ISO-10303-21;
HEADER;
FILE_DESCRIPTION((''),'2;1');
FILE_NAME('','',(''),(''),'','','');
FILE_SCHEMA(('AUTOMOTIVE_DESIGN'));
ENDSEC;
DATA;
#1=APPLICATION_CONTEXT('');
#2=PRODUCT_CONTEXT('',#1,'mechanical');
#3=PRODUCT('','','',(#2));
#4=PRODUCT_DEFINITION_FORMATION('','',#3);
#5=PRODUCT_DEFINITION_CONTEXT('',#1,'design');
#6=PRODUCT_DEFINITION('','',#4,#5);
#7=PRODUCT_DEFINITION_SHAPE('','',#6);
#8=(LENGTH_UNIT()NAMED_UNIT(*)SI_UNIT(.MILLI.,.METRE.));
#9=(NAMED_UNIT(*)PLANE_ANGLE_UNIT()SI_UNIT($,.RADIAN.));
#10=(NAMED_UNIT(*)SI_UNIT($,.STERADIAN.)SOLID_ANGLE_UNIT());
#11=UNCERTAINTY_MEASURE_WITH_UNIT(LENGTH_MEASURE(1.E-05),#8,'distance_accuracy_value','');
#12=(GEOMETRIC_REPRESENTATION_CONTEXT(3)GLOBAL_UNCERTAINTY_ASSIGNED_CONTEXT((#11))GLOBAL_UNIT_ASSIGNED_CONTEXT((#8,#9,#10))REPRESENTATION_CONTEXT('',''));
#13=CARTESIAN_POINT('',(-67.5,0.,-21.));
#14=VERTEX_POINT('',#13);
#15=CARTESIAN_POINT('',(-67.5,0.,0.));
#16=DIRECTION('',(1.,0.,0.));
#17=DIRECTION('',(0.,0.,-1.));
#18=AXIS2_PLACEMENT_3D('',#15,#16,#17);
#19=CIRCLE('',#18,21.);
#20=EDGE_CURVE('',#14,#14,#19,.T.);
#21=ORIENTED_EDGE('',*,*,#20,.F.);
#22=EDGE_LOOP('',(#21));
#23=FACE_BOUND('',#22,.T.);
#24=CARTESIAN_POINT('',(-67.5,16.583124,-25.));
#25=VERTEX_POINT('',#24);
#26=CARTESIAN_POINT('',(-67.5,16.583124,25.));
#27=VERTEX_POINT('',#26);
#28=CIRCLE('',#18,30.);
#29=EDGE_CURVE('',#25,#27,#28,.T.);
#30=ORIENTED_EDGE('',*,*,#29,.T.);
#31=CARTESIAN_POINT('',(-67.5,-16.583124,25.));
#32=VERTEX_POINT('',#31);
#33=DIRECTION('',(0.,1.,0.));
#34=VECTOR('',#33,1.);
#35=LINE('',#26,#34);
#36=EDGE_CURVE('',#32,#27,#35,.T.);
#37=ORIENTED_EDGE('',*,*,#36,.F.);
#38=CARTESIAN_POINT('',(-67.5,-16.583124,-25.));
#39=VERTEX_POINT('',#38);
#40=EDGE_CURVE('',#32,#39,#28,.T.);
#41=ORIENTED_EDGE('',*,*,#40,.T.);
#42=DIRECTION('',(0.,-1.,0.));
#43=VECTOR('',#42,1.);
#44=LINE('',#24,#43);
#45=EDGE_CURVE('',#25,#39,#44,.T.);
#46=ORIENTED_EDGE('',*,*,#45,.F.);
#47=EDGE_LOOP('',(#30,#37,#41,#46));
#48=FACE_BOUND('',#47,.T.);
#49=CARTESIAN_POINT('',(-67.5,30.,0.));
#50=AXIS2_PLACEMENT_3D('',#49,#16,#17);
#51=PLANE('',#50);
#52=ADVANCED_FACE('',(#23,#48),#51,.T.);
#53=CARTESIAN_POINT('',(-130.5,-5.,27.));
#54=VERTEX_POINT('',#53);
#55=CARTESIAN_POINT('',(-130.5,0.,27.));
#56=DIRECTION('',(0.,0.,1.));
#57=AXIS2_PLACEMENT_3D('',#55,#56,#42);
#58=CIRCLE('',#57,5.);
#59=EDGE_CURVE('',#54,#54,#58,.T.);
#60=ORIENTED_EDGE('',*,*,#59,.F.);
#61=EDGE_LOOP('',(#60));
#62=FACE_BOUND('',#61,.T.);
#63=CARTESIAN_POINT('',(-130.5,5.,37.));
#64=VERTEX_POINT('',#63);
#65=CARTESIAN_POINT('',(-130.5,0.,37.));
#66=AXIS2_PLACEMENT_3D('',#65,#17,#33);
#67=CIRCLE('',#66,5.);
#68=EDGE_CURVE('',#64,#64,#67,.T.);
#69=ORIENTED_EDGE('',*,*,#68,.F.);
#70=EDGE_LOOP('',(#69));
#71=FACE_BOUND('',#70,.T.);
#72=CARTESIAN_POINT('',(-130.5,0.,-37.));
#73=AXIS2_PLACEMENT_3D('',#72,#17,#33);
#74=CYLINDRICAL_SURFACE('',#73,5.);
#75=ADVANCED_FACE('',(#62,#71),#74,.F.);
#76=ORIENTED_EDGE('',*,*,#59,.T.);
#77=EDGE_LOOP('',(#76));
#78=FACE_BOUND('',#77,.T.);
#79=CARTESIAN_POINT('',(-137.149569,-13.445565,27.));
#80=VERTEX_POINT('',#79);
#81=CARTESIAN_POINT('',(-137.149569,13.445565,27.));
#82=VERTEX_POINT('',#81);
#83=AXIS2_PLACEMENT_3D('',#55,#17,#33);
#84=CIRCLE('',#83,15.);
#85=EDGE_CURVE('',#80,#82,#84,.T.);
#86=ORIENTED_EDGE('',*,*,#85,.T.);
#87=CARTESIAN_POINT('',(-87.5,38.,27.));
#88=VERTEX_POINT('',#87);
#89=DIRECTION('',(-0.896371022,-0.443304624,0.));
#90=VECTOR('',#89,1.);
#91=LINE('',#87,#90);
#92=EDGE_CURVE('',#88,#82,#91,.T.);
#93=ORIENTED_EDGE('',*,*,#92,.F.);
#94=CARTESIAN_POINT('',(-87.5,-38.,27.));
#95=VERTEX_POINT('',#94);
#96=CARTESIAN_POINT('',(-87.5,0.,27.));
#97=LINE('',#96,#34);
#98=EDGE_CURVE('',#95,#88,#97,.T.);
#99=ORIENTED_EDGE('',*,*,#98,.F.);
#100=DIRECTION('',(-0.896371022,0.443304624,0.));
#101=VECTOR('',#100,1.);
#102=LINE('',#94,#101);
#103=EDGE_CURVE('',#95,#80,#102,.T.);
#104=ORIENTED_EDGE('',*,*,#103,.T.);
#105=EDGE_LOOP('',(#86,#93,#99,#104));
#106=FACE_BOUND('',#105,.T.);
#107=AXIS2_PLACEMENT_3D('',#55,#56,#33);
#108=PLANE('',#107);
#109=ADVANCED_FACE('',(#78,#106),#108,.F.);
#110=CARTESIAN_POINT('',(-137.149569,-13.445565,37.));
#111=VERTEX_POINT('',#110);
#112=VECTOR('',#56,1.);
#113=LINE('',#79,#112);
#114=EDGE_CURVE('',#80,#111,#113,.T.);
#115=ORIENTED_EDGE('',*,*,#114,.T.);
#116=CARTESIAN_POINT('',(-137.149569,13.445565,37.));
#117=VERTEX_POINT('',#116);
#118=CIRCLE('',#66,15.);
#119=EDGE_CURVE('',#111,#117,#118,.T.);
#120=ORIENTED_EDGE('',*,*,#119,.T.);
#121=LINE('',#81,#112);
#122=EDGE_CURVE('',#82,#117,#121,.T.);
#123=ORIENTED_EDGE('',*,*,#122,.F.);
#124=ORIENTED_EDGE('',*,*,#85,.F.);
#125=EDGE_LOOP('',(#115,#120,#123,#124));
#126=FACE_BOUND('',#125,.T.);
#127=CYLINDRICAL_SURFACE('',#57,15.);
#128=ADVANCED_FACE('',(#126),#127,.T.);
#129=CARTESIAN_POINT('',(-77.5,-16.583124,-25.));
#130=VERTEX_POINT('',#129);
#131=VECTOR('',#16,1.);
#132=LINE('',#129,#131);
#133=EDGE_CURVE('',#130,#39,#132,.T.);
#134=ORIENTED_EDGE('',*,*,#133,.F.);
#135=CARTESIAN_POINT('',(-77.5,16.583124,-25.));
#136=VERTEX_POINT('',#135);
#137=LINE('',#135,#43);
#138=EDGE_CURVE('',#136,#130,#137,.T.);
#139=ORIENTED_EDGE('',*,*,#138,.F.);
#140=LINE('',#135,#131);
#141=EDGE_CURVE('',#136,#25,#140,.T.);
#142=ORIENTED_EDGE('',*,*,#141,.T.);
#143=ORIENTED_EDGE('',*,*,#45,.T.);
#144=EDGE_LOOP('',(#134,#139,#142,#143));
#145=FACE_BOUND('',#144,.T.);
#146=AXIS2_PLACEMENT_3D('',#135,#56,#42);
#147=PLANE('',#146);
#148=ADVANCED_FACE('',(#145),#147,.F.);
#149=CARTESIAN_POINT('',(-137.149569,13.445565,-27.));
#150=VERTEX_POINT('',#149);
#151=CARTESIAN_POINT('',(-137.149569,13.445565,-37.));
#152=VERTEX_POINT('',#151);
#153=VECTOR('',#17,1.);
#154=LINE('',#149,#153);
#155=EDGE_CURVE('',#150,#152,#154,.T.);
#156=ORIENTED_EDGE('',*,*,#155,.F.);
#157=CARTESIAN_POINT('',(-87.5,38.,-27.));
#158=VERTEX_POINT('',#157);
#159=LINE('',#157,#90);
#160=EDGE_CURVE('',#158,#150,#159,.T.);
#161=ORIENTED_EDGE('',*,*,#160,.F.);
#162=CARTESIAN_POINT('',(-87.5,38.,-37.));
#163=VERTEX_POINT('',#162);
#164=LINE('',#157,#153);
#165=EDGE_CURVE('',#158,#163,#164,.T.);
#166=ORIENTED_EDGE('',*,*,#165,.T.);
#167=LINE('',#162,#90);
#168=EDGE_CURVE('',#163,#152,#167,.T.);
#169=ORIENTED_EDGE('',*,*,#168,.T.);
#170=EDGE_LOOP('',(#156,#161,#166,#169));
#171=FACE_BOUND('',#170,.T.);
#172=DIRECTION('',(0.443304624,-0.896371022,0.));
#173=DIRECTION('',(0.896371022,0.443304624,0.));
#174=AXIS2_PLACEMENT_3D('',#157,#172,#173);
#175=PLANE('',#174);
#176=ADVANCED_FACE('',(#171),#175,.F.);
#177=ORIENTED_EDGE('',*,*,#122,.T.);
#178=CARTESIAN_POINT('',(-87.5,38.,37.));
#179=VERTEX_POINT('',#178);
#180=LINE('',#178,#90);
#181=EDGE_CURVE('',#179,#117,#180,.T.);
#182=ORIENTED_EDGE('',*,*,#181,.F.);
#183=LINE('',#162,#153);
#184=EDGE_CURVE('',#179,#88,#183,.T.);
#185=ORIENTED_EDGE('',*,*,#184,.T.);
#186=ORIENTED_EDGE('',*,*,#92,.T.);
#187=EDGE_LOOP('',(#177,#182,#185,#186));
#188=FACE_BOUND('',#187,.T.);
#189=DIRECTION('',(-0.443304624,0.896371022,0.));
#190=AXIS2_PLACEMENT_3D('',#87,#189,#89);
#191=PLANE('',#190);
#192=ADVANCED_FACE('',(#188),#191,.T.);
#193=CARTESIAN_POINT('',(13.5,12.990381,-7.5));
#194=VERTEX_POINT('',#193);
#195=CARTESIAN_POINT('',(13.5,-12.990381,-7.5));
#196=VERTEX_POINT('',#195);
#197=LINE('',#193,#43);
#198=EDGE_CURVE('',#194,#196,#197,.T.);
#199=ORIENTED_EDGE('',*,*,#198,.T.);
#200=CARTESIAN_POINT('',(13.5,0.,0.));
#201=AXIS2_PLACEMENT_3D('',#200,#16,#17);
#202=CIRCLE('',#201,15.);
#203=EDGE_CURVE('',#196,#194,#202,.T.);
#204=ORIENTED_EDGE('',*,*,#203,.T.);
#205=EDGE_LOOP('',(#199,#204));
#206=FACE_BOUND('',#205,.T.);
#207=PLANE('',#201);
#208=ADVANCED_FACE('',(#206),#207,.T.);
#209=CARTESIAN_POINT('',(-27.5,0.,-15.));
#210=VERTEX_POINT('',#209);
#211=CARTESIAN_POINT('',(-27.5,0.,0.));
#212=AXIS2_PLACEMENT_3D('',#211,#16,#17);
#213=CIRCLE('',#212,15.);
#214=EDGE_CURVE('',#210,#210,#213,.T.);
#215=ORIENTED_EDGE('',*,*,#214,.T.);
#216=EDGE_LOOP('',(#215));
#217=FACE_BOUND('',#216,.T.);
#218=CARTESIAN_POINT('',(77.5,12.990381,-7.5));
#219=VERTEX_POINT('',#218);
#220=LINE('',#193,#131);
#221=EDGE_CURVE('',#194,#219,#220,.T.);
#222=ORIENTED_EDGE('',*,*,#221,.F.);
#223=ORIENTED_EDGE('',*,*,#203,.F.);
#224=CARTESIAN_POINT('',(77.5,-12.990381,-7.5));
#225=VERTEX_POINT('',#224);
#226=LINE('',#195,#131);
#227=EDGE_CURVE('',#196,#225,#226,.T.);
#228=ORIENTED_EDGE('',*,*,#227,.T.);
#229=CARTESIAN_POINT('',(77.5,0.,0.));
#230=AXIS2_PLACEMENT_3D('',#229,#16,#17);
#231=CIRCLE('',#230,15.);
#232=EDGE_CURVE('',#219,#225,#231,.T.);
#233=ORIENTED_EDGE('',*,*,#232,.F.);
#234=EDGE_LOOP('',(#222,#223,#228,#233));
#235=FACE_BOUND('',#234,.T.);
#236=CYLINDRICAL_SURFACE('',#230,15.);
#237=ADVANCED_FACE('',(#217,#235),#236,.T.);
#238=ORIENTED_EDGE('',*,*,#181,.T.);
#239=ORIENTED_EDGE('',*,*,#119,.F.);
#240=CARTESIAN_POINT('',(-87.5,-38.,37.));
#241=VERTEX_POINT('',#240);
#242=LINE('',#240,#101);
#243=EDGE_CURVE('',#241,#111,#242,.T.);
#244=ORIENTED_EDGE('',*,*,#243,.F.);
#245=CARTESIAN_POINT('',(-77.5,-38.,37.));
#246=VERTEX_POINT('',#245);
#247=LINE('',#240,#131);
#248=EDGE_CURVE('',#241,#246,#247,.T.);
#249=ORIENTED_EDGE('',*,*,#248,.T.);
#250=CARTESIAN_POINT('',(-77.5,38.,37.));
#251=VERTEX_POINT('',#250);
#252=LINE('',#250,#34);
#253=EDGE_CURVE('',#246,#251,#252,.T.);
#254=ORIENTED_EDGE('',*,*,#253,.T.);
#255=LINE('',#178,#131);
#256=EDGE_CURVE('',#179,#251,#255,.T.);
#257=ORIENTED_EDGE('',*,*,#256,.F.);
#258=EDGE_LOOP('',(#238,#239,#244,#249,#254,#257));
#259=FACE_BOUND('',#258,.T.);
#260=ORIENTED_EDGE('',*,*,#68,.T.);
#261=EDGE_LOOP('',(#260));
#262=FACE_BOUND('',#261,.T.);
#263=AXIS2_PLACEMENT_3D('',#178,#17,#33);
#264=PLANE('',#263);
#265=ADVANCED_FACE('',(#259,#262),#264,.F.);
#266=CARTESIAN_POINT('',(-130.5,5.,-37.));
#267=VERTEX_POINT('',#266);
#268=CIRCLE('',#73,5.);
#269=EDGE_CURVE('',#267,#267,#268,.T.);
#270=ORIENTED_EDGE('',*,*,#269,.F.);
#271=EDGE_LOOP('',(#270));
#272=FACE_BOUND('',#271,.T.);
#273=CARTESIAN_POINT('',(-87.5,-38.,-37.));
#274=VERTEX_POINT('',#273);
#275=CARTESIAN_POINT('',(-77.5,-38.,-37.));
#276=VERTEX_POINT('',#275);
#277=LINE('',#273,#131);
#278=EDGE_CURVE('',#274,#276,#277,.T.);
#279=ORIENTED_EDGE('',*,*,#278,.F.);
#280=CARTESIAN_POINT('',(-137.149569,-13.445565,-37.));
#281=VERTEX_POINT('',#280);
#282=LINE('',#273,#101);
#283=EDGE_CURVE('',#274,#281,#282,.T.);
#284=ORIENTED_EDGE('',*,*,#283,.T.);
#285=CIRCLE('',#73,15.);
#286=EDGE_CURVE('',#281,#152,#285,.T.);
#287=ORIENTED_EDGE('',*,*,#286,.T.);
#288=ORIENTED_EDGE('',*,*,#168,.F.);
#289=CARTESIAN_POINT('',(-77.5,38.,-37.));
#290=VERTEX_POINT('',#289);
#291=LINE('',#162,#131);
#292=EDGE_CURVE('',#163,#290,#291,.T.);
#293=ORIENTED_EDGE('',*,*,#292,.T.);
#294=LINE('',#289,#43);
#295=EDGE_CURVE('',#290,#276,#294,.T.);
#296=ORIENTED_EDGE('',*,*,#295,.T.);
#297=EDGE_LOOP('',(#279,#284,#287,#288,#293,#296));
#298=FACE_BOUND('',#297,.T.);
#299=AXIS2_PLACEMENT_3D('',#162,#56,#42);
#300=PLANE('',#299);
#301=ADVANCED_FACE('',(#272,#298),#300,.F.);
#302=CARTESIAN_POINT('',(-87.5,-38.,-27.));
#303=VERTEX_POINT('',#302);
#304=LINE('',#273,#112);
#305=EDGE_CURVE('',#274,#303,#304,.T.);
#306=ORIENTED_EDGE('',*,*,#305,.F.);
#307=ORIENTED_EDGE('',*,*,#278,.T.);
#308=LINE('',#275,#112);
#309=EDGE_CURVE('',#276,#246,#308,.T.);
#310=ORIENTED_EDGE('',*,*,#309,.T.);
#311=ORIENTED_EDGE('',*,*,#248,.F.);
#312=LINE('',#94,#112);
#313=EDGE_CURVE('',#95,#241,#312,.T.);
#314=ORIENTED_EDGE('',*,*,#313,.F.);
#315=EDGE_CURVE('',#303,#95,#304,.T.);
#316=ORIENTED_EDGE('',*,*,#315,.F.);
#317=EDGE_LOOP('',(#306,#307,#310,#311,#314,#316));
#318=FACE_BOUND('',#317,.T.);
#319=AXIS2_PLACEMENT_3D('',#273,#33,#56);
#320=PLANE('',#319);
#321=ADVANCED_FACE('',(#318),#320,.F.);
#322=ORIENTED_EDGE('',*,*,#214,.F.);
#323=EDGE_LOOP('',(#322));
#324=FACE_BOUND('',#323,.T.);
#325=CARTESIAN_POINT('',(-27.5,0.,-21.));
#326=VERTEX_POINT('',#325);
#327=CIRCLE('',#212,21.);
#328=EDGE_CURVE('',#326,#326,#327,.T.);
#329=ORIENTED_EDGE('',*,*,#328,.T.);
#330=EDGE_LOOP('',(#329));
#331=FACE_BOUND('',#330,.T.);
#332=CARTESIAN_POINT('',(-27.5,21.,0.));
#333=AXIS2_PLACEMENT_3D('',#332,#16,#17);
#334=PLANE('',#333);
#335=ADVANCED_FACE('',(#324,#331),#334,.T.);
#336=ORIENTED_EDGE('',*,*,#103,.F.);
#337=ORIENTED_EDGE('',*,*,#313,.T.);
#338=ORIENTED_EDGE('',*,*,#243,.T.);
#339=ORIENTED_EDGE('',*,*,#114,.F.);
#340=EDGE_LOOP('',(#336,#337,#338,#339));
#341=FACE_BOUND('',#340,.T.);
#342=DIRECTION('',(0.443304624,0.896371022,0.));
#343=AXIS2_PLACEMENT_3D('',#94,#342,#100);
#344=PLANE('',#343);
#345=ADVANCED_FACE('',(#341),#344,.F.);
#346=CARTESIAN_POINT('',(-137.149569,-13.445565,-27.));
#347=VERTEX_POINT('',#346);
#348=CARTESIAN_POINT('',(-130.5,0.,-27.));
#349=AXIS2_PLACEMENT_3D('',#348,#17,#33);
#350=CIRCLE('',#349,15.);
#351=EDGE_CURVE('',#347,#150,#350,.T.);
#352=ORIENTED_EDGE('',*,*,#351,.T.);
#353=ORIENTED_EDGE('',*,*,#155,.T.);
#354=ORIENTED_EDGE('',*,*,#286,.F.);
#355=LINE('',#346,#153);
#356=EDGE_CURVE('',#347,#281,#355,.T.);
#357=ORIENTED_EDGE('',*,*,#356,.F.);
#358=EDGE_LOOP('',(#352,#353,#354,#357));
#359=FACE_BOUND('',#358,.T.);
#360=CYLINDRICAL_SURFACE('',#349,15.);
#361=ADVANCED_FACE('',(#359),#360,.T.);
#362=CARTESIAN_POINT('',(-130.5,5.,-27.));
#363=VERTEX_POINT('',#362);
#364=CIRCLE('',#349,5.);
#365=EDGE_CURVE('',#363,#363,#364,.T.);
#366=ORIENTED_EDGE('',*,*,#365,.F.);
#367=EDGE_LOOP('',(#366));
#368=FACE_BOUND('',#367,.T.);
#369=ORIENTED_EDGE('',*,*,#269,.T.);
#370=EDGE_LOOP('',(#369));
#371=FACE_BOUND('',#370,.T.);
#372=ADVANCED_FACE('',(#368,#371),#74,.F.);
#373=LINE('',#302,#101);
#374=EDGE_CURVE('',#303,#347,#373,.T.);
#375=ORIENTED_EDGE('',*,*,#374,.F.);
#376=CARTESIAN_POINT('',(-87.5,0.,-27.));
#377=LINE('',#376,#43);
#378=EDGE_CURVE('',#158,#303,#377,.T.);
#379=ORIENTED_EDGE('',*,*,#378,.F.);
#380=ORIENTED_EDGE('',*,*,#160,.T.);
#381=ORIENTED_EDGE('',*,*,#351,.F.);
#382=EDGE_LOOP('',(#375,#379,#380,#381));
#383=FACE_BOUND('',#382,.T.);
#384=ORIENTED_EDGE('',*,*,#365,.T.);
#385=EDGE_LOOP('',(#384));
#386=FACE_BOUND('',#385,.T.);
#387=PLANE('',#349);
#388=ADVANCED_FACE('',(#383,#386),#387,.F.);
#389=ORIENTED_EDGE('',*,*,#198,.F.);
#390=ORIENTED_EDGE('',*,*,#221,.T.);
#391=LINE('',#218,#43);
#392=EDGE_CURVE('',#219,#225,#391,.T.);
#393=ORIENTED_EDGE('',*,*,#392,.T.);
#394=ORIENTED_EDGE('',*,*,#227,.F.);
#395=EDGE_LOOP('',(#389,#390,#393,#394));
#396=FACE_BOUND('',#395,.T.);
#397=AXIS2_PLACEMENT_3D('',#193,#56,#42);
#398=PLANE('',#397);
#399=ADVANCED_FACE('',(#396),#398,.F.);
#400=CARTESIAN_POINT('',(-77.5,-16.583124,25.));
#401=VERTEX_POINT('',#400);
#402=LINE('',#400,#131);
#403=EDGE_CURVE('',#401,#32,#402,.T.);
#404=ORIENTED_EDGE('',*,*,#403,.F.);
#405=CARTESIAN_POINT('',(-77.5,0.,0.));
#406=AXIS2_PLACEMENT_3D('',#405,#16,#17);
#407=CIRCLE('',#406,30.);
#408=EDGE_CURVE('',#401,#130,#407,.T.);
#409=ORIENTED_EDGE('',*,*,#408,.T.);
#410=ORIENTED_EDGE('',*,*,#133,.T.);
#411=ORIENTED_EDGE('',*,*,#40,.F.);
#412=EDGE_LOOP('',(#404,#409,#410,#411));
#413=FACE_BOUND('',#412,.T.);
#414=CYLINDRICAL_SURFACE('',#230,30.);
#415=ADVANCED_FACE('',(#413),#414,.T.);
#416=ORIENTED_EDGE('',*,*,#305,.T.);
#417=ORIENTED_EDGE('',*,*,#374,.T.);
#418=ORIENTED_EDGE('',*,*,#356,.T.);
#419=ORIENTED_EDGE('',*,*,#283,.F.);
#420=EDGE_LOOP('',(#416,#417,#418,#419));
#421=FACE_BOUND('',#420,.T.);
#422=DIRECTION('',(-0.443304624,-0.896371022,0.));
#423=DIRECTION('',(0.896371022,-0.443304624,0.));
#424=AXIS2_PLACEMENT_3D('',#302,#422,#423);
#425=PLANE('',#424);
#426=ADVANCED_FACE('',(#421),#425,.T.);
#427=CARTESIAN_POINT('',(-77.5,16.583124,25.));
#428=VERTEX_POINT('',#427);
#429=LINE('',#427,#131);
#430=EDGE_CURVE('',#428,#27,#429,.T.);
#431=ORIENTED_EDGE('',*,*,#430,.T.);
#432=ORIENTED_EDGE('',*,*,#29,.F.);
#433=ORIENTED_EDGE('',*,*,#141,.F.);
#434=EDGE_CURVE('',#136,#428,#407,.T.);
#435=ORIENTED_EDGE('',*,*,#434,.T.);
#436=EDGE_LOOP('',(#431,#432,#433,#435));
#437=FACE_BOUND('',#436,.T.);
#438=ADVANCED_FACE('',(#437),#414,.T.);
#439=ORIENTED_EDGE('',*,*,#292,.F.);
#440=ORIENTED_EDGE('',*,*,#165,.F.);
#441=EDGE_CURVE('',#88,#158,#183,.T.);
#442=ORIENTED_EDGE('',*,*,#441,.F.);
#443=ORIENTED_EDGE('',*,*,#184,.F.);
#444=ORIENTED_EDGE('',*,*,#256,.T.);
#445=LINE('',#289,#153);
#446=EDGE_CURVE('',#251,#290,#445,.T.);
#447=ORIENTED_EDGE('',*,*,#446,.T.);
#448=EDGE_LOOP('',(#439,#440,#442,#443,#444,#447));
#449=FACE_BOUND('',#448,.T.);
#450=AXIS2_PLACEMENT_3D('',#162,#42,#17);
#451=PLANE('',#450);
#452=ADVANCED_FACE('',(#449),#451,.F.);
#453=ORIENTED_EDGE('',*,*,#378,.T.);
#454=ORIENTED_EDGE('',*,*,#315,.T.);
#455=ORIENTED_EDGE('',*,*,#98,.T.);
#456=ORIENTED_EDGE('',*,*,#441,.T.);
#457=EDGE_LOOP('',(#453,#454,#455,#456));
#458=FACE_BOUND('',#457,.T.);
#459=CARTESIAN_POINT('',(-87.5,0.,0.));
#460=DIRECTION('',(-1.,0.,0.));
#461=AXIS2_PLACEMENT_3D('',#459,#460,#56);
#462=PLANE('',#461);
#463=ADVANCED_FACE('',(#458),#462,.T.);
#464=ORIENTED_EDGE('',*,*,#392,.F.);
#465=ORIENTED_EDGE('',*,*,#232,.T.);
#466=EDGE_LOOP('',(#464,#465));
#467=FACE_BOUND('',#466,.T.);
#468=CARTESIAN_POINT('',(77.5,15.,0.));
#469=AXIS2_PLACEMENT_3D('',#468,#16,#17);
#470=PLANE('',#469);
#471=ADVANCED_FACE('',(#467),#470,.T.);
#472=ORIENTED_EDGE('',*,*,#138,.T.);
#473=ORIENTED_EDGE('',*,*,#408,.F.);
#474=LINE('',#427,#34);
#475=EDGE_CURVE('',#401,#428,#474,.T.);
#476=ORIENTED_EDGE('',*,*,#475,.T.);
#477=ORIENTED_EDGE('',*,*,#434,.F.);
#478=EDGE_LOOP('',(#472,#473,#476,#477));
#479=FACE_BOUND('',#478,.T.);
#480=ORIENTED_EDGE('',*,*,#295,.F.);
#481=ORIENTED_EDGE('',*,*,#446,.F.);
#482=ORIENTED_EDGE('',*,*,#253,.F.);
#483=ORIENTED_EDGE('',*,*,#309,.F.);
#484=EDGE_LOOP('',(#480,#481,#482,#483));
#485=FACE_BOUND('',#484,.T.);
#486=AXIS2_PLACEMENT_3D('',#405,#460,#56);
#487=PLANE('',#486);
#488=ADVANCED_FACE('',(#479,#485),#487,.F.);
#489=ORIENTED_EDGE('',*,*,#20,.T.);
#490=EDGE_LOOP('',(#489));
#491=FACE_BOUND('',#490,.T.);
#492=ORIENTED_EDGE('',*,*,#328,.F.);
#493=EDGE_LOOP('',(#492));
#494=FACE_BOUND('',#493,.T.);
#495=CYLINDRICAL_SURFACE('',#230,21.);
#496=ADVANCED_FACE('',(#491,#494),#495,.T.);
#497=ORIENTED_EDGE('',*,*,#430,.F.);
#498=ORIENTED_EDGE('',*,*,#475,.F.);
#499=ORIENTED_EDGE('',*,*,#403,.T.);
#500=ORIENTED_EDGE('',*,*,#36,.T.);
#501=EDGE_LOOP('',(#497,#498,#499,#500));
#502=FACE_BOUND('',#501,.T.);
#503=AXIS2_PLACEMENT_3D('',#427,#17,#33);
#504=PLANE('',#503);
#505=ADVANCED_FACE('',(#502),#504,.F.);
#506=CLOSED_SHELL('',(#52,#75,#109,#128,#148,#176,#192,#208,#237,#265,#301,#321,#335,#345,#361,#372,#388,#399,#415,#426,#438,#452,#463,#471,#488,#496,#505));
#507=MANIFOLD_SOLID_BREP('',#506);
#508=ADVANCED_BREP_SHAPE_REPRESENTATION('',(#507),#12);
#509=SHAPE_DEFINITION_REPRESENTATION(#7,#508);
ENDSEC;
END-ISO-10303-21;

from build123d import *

# Parameters (mm, degrees)
SKETCH2_W           = 74
SKETCH2_H           = 76
BOSS_EXTRUDE1_DEPTH = 10
BOSS_EXTRUDE2_DEPTH = 10
HOLE1_D             = 10
CUT_EXTRUDE1_START  = -145
CUT_EXTRUDE1_DEPTH  = 10
CUT_EXTRUDE2_DEPTH  = 64


with BuildPart() as part:
    # Sketch1 → Revolve1 (revolve)
    with BuildSketch(Plane.XY, mode=Mode.PRIVATE) as revolve1_sk:
        Polygon((-77.5, 0), (-77.5, 30), (-67.5, 30), (-67.5, 21), (-27.5, 21), (-27.5, 15), (77.5, 15), (77.5, 0), align=None)
    revolve(revolve1_sk.sketch.rotate(Axis((77.5, 0, 0), (-1, 0, 0)), 90), axis=Axis((77.5, 0, 0), (-1, 0, 0)))

    # Sketch2 → Boss-Extrude1 (add)
    with BuildSketch(Plane.ZY.offset(77.5)):
        Rectangle(SKETCH2_W, SKETCH2_H)
    extrude(amount=BOSS_EXTRUDE1_DEPTH)

    # Sketch3 → Boss-Extrude2 (add)
    with BuildSketch(Plane(origin=(0, 0, -37), x_dir=(-1, 0, 0), z_dir=(0, 0, -1))):
        with BuildLine():
            Line((87.5, 38), (137.149569367, 13.445565337))
            ThreePointArc((137.149569367, 13.445565337), (145.5, 0), (137.149569367, -13.445565337))
            Line((137.149569367, -13.445565337), (87.5, -38))
            Line((87.5, -38), (77.5, -38))
            Line((77.5, -38), (77.5, 38))
            Line((77.5, 38), (87.5, 38))
        make_face()
    boss_extrude2 = extrude(amount=-BOSS_EXTRUDE2_DEPTH)

    # Mirror1: Boss-Extrude2 across plane
    add(boss_extrude2.mirror(Plane.XY))

    # Hole1 (through all)
    with Locations(Plane(origin=(0, 0, -37), x_dir=(-1, 0, 0), z_dir=(0, 0, -1))):
        with Locations((130.5, 0)):
            Hole(HOLE1_D / 2)

    # Sketch8 → Cut-Extrude1 (cut)
    with BuildSketch(Plane(origin=(77.5, 0, 0), x_dir=(0, 0, -1), z_dir=(1, 0, 0)).offset(CUT_EXTRUDE1_START)):
        with BuildLine():
            Line((25, 16.583123952), (25, -16.583123952))
            ThreePointArc((25, -16.583123952), (30, 0), (25, 16.583123952))
        make_face()
        with BuildLine():
            Line((-25, 16.583123952), (-25, -16.583123952))
            ThreePointArc((-25, -16.583123952), (-30, 0), (-25, 16.583123952))
        make_face()
    extrude(amount=-CUT_EXTRUDE1_DEPTH, mode=Mode.SUBTRACT)

    # Sketch9 → Cut-Extrude2 (cut)
    with BuildSketch(Plane(origin=(77.5, 0, 0), x_dir=(0, 0, -1), z_dir=(1, 0, 0))):
        with BuildLine():
            Line((7.5, 12.990381057), (7.5, -12.990381057))
            ThreePointArc((7.5, -12.990381057), (15, 0), (7.5, 12.990381057))
        make_face()
    extrude(amount=-CUT_EXTRUDE2_DEPTH, mode=Mode.SUBTRACT)


solid = part.part
